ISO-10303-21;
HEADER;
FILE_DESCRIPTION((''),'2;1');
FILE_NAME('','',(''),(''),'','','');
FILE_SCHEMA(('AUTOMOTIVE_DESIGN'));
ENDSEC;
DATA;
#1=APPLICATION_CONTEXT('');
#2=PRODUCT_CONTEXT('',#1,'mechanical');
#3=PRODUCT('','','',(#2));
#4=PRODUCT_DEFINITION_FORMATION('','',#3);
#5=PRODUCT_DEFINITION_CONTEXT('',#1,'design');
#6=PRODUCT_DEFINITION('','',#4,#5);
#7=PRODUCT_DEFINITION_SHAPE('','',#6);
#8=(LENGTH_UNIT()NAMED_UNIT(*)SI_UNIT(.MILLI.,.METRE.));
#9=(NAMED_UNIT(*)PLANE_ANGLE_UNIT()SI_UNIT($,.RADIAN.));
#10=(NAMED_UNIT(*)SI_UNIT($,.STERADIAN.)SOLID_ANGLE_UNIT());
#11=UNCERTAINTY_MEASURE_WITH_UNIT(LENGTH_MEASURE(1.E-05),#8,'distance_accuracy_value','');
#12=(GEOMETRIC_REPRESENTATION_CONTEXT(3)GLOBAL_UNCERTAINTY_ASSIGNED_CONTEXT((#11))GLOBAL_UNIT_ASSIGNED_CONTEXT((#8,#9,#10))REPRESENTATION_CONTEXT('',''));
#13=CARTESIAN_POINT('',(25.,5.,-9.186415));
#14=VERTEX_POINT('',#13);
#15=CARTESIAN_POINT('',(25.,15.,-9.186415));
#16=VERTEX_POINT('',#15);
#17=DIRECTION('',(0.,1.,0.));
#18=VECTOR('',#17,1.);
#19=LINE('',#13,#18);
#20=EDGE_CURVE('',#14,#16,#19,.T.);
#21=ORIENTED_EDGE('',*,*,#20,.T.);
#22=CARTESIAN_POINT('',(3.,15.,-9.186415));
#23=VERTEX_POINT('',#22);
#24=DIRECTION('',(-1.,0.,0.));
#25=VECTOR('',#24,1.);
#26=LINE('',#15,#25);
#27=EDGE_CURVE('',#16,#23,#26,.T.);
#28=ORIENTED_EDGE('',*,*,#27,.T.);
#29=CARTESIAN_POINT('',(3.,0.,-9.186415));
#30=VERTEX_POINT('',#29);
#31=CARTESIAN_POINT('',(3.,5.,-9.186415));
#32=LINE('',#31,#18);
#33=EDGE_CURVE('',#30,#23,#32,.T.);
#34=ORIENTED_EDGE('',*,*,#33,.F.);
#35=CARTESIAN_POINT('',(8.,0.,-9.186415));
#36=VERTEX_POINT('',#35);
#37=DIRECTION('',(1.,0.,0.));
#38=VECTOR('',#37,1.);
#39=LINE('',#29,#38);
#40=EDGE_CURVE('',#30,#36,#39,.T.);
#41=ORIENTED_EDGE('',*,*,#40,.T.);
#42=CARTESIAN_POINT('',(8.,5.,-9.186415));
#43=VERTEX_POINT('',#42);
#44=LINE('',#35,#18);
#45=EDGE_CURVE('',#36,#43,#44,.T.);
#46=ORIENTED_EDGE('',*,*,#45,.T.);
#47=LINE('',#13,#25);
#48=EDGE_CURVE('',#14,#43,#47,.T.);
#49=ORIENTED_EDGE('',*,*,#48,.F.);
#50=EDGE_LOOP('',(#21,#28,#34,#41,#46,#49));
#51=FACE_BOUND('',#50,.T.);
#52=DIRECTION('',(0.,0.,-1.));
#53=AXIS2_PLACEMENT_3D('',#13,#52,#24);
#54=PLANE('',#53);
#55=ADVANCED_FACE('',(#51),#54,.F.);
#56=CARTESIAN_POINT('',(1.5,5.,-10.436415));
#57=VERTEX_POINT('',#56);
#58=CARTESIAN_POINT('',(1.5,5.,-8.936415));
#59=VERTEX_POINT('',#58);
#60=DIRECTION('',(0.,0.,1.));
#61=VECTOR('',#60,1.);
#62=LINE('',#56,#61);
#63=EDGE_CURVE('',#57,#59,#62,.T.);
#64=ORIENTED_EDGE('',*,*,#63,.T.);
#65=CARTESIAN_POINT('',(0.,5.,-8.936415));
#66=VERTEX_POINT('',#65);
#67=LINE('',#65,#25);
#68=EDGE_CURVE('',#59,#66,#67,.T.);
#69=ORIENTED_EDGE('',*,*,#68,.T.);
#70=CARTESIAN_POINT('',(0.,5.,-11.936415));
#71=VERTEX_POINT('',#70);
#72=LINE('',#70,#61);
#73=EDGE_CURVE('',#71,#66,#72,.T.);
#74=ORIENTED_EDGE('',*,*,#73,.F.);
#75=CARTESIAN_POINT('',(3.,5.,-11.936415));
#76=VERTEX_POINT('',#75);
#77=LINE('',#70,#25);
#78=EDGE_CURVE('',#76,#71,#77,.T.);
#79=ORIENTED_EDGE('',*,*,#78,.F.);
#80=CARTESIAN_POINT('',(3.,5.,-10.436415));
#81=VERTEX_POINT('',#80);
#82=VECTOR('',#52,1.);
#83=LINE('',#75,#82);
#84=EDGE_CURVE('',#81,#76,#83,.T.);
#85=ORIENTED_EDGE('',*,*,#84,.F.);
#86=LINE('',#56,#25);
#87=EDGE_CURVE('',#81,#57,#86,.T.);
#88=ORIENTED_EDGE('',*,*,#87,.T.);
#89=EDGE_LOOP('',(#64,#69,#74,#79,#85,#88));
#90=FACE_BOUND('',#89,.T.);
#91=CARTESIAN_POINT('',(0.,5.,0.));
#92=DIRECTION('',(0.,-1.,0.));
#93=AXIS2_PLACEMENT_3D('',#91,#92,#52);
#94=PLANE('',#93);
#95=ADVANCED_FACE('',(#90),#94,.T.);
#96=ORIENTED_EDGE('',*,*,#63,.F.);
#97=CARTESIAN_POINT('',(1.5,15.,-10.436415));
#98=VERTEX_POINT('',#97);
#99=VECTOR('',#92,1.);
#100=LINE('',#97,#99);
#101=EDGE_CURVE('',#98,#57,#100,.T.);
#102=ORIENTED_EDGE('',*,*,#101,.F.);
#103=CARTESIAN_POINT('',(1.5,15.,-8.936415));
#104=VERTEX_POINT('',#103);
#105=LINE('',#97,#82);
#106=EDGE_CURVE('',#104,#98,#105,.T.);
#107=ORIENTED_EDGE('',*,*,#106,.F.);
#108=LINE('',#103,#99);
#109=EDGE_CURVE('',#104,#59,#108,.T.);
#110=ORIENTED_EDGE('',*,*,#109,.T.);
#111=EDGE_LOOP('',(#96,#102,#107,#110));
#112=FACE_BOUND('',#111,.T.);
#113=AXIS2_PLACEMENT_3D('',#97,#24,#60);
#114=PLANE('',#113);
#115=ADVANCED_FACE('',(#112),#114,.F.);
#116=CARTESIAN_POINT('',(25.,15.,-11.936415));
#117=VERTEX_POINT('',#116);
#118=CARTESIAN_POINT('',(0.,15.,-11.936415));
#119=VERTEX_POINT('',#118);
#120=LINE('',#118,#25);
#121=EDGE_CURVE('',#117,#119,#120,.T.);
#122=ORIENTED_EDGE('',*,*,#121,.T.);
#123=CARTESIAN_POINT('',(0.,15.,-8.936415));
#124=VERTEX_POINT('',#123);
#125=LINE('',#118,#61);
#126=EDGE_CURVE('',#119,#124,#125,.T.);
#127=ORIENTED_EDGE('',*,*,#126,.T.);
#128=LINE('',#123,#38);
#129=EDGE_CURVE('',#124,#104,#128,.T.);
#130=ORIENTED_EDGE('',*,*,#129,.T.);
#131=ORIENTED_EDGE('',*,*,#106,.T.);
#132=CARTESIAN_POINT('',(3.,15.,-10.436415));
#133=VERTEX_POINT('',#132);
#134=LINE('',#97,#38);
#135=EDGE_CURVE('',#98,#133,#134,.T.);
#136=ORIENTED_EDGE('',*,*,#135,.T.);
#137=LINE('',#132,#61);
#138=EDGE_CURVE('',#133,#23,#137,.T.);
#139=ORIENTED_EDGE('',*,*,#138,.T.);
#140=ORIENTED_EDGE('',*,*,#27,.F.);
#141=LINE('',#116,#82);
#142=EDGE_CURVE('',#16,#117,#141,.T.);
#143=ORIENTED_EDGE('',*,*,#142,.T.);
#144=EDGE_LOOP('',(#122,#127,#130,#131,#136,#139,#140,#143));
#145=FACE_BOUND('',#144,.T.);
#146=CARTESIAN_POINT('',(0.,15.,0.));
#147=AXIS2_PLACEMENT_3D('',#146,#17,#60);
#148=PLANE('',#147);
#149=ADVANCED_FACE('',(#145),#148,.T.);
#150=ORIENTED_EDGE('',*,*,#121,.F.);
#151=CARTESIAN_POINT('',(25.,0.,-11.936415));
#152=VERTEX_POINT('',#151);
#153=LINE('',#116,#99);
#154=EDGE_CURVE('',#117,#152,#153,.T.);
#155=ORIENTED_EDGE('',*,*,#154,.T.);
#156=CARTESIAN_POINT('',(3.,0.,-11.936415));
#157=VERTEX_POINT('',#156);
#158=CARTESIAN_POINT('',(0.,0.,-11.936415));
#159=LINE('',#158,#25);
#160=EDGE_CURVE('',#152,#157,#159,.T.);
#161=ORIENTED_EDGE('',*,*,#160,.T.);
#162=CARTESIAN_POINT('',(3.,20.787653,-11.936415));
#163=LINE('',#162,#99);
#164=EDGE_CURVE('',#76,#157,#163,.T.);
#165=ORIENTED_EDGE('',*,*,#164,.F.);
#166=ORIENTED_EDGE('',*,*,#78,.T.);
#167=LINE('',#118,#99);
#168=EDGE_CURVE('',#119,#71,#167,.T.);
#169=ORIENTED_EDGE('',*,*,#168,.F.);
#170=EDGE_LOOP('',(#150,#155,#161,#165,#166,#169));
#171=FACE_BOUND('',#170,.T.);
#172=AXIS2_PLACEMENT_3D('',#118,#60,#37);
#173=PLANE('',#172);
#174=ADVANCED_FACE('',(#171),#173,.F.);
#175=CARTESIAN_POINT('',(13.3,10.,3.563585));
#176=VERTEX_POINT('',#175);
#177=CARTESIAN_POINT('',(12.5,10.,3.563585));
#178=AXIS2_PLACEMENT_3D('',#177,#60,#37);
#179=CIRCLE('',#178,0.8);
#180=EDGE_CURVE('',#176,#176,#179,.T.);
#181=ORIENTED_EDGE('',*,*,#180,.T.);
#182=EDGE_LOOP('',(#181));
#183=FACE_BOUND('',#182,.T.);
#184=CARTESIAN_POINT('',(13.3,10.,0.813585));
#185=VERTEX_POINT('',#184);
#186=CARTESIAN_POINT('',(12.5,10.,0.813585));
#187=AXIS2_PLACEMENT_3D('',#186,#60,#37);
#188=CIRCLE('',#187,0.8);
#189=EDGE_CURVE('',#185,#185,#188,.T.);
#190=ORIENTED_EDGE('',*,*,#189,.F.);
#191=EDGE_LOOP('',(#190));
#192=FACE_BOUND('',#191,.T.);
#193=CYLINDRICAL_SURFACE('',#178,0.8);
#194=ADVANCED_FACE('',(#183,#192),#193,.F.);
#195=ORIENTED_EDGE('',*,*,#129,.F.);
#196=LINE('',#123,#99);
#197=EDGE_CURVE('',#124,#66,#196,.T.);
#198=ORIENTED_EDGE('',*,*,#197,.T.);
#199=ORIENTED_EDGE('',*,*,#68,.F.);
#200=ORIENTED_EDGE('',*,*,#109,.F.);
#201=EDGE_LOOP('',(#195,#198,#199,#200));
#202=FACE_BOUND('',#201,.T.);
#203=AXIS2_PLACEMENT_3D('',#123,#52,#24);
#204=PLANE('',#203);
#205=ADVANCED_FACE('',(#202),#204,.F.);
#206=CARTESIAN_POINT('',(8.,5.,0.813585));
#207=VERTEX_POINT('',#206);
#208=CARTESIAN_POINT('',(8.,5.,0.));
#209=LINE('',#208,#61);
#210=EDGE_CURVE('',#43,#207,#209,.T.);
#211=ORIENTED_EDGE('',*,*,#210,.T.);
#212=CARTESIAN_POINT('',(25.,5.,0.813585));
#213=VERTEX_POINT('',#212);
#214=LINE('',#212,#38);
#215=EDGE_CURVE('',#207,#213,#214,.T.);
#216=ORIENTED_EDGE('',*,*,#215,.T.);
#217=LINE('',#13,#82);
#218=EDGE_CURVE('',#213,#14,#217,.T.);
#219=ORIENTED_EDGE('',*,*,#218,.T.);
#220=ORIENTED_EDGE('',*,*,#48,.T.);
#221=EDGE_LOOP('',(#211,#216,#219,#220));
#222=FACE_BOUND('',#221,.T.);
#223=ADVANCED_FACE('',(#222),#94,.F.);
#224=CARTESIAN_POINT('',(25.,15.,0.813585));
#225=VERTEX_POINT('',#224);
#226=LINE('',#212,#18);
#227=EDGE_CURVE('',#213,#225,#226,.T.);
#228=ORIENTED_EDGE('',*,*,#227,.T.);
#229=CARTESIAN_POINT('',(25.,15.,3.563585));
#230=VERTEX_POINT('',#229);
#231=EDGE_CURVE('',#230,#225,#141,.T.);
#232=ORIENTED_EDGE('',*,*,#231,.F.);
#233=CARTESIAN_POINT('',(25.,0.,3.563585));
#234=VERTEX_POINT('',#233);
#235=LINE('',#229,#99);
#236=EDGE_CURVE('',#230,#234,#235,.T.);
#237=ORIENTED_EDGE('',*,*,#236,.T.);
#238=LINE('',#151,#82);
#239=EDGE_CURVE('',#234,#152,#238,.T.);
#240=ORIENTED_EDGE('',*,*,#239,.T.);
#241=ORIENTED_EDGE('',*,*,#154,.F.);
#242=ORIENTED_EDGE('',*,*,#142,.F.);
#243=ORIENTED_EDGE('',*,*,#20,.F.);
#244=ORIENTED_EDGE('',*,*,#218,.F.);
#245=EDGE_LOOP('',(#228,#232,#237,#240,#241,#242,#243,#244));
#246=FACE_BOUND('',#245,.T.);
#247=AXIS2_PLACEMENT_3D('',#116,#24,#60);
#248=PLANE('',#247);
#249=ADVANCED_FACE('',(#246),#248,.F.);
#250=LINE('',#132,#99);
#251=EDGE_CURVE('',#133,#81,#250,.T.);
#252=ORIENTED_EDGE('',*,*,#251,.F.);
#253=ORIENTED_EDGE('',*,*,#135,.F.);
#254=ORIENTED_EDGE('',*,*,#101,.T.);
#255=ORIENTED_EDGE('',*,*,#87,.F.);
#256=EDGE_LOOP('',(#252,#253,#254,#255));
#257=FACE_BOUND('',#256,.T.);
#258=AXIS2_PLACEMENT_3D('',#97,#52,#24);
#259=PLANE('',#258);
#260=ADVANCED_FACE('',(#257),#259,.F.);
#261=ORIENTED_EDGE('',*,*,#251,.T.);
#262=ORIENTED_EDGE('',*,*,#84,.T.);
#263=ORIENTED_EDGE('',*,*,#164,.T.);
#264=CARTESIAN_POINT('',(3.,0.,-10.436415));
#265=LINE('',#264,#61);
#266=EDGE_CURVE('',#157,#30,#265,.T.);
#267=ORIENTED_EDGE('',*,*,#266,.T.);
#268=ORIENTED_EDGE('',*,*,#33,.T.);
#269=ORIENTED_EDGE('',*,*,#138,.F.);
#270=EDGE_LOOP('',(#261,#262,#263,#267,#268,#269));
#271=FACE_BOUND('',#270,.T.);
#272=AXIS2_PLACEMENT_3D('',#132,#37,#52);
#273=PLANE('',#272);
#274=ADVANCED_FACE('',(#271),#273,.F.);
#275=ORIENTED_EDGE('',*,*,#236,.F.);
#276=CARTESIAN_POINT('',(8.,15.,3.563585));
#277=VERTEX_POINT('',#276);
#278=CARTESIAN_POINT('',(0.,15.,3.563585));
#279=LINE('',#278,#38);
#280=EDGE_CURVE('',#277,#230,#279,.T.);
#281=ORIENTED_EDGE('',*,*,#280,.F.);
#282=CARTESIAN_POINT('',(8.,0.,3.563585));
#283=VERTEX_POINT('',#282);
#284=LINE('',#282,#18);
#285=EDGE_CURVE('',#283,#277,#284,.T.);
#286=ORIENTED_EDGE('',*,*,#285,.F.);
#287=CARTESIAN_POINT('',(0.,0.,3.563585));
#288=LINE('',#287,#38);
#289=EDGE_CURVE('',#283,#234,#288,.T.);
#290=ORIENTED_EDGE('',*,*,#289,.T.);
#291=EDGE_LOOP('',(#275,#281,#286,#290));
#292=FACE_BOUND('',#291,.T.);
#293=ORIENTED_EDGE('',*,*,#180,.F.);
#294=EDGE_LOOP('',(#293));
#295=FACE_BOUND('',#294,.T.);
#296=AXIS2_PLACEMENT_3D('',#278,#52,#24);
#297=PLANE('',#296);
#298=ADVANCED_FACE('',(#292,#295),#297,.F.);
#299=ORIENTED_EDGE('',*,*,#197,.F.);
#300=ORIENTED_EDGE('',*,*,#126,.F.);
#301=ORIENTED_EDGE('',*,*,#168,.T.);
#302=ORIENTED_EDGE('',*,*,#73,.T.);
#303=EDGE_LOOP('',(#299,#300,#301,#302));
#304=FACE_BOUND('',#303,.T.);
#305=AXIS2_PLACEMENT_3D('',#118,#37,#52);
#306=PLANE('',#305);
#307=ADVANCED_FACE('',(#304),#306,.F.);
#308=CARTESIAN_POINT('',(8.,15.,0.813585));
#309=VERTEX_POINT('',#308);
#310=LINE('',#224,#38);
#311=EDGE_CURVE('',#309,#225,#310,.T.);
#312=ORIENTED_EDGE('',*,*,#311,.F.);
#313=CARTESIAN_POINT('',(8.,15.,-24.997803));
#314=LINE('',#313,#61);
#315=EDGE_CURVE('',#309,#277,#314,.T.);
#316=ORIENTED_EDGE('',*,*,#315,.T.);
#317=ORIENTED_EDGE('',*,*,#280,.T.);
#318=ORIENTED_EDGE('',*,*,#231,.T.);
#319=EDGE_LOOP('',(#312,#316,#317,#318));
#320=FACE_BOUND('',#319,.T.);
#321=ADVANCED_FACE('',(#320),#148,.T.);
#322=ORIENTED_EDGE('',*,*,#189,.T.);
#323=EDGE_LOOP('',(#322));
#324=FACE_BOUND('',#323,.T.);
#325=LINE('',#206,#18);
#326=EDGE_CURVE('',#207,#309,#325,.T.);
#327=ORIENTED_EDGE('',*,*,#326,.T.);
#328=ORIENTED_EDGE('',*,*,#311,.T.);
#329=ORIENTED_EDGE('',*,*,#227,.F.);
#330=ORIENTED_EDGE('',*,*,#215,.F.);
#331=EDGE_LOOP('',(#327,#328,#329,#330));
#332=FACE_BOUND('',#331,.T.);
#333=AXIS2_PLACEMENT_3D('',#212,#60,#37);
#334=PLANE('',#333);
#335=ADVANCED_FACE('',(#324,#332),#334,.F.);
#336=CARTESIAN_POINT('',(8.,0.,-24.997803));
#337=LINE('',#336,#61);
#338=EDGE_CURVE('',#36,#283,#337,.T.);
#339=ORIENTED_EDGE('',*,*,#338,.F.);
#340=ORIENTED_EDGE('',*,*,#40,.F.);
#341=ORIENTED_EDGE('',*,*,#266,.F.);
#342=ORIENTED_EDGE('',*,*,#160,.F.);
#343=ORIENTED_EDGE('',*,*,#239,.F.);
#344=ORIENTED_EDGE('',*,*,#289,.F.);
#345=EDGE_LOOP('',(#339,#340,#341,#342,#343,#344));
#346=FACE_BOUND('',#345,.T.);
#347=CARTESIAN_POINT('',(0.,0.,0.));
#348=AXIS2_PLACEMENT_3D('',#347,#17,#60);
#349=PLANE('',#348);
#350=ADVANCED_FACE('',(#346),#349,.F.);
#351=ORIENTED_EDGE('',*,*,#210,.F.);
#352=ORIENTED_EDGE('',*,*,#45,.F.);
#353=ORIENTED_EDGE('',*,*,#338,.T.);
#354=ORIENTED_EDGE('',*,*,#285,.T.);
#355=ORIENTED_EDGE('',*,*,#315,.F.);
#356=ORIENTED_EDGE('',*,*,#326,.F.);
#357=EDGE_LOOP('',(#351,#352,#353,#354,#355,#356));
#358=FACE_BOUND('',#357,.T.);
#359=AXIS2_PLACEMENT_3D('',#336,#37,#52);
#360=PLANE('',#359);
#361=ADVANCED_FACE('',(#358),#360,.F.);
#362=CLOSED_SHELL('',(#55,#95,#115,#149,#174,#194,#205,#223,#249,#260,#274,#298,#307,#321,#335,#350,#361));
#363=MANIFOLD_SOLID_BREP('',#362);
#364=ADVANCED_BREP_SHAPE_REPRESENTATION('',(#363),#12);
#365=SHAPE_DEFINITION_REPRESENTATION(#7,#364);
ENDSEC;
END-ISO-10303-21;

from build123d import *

# Parameters (mm, degrees)
BOSS_EXTRUDE1_DEPTH       = 15
SKETCH2_W                 = 22
SKETCH2_H                 = 10
CUT_EXTRUDE1_DEPTH        = 10
M2X0_4_TAPPED_HOLE1_D     = 1.6
M2X0_4_TAPPED_HOLE1_DEPTH = 2.75
SKETCH6_W                 = 3
SKETCH6_H                 = 15.5
CUT_EXTRUDE2_DEPTH        = 5
SKETCH7_W                 = 3
SKETCH7_H                 = 10
CUT_EXTRUDE4_DEPTH        = 3
CUT_EXTRUDE5_REACH        = 35.019
SKETCH8_W                 = 5
SKETCH8_H                 = 15


with BuildPart() as part:
    # Sketch1 → Boss-Extrude1 (new body)
    with BuildSketch(Plane(origin=(0, 0, 0), x_dir=(1, 0, 0), z_dir=(0, 1, 0))):
        Polygon((0, -0.563585479), (0, -3.563585479), (25, -3.563585479), (25, 11.936414521), (0, 11.936414521), (0, 8.936414521), (1.5, 8.936414521), (1.5, 10.436414521), (3, 10.436414521), (3, -2.063585479), (1.5, -2.063585479), (1.5, -0.563585479), align=None)
    extrude(amount=BOSS_EXTRUDE1_DEPTH)

    # Sketch2 → Cut-Extrude1 (cut)
    with BuildSketch(Plane(origin=(0, 15, 0), x_dir=(1, 0, 0), z_dir=(0, 1, 0))):
        with Locations((14, 4.186414521)):
            Rectangle(SKETCH2_W, SKETCH2_H)
    extrude(amount=-CUT_EXTRUDE1_DEPTH, mode=Mode.SUBTRACT)

    # M2x0.4 Tapped Hole1
    with Locations(Plane.XY.offset(3.563585479)):
        with Locations((12.5, 10)):
            Hole(M2X0_4_TAPPED_HOLE1_D / 2, depth=M2X0_4_TAPPED_HOLE1_DEPTH)

    # Sketch6 → Cut-Extrude2 (cut)
    with BuildSketch(Plane.XZ):
        with Locations((1.5, -4.186414521)):
            Rectangle(SKETCH6_W, SKETCH6_H)
    extrude(amount=-CUT_EXTRUDE2_DEPTH, mode=Mode.SUBTRACT)

    # Sketch7 → Cut-Extrude4 (cut)
    with BuildSketch(Plane.XY.offset(3.563585479)):
        with Locations((1.5, 10)):
            Rectangle(SKETCH7_W, SKETCH7_H)
    extrude(amount=-CUT_EXTRUDE4_DEPTH, mode=Mode.SUBTRACT)

    # Cut-Extrude5: up to this face of the body (flat: up to its plane)
    cut_extrude5_end = Plane(part.part.faces().sort_by_distance((14, 10, -9.186414521))[0])
    # Sketch8 → Cut-Extrude5 (cut, up to the picked face)
    with BuildSketch(Plane.XY.offset(3.563585479), mode=Mode.PRIVATE) as cut_extrude5_sk1:
        with Locations((5.5, 7.5)):
            Rectangle(SKETCH8_W, SKETCH8_H)
    cut_extrude5_tool1 = split(extrude(cut_extrude5_sk1.sketch, amount=-CUT_EXTRUDE5_REACH, mode=Mode.PRIVATE), bisect_by=cut_extrude5_end, keep=Keep.BOTH, mode=Mode.PRIVATE)
    add(cut_extrude5_tool1.solids().sort_by(Axis((5.5, 7.5, 3.563585), (0, 0, -1)))[0], mode=Mode.SUBTRACT)


solid = part.part
